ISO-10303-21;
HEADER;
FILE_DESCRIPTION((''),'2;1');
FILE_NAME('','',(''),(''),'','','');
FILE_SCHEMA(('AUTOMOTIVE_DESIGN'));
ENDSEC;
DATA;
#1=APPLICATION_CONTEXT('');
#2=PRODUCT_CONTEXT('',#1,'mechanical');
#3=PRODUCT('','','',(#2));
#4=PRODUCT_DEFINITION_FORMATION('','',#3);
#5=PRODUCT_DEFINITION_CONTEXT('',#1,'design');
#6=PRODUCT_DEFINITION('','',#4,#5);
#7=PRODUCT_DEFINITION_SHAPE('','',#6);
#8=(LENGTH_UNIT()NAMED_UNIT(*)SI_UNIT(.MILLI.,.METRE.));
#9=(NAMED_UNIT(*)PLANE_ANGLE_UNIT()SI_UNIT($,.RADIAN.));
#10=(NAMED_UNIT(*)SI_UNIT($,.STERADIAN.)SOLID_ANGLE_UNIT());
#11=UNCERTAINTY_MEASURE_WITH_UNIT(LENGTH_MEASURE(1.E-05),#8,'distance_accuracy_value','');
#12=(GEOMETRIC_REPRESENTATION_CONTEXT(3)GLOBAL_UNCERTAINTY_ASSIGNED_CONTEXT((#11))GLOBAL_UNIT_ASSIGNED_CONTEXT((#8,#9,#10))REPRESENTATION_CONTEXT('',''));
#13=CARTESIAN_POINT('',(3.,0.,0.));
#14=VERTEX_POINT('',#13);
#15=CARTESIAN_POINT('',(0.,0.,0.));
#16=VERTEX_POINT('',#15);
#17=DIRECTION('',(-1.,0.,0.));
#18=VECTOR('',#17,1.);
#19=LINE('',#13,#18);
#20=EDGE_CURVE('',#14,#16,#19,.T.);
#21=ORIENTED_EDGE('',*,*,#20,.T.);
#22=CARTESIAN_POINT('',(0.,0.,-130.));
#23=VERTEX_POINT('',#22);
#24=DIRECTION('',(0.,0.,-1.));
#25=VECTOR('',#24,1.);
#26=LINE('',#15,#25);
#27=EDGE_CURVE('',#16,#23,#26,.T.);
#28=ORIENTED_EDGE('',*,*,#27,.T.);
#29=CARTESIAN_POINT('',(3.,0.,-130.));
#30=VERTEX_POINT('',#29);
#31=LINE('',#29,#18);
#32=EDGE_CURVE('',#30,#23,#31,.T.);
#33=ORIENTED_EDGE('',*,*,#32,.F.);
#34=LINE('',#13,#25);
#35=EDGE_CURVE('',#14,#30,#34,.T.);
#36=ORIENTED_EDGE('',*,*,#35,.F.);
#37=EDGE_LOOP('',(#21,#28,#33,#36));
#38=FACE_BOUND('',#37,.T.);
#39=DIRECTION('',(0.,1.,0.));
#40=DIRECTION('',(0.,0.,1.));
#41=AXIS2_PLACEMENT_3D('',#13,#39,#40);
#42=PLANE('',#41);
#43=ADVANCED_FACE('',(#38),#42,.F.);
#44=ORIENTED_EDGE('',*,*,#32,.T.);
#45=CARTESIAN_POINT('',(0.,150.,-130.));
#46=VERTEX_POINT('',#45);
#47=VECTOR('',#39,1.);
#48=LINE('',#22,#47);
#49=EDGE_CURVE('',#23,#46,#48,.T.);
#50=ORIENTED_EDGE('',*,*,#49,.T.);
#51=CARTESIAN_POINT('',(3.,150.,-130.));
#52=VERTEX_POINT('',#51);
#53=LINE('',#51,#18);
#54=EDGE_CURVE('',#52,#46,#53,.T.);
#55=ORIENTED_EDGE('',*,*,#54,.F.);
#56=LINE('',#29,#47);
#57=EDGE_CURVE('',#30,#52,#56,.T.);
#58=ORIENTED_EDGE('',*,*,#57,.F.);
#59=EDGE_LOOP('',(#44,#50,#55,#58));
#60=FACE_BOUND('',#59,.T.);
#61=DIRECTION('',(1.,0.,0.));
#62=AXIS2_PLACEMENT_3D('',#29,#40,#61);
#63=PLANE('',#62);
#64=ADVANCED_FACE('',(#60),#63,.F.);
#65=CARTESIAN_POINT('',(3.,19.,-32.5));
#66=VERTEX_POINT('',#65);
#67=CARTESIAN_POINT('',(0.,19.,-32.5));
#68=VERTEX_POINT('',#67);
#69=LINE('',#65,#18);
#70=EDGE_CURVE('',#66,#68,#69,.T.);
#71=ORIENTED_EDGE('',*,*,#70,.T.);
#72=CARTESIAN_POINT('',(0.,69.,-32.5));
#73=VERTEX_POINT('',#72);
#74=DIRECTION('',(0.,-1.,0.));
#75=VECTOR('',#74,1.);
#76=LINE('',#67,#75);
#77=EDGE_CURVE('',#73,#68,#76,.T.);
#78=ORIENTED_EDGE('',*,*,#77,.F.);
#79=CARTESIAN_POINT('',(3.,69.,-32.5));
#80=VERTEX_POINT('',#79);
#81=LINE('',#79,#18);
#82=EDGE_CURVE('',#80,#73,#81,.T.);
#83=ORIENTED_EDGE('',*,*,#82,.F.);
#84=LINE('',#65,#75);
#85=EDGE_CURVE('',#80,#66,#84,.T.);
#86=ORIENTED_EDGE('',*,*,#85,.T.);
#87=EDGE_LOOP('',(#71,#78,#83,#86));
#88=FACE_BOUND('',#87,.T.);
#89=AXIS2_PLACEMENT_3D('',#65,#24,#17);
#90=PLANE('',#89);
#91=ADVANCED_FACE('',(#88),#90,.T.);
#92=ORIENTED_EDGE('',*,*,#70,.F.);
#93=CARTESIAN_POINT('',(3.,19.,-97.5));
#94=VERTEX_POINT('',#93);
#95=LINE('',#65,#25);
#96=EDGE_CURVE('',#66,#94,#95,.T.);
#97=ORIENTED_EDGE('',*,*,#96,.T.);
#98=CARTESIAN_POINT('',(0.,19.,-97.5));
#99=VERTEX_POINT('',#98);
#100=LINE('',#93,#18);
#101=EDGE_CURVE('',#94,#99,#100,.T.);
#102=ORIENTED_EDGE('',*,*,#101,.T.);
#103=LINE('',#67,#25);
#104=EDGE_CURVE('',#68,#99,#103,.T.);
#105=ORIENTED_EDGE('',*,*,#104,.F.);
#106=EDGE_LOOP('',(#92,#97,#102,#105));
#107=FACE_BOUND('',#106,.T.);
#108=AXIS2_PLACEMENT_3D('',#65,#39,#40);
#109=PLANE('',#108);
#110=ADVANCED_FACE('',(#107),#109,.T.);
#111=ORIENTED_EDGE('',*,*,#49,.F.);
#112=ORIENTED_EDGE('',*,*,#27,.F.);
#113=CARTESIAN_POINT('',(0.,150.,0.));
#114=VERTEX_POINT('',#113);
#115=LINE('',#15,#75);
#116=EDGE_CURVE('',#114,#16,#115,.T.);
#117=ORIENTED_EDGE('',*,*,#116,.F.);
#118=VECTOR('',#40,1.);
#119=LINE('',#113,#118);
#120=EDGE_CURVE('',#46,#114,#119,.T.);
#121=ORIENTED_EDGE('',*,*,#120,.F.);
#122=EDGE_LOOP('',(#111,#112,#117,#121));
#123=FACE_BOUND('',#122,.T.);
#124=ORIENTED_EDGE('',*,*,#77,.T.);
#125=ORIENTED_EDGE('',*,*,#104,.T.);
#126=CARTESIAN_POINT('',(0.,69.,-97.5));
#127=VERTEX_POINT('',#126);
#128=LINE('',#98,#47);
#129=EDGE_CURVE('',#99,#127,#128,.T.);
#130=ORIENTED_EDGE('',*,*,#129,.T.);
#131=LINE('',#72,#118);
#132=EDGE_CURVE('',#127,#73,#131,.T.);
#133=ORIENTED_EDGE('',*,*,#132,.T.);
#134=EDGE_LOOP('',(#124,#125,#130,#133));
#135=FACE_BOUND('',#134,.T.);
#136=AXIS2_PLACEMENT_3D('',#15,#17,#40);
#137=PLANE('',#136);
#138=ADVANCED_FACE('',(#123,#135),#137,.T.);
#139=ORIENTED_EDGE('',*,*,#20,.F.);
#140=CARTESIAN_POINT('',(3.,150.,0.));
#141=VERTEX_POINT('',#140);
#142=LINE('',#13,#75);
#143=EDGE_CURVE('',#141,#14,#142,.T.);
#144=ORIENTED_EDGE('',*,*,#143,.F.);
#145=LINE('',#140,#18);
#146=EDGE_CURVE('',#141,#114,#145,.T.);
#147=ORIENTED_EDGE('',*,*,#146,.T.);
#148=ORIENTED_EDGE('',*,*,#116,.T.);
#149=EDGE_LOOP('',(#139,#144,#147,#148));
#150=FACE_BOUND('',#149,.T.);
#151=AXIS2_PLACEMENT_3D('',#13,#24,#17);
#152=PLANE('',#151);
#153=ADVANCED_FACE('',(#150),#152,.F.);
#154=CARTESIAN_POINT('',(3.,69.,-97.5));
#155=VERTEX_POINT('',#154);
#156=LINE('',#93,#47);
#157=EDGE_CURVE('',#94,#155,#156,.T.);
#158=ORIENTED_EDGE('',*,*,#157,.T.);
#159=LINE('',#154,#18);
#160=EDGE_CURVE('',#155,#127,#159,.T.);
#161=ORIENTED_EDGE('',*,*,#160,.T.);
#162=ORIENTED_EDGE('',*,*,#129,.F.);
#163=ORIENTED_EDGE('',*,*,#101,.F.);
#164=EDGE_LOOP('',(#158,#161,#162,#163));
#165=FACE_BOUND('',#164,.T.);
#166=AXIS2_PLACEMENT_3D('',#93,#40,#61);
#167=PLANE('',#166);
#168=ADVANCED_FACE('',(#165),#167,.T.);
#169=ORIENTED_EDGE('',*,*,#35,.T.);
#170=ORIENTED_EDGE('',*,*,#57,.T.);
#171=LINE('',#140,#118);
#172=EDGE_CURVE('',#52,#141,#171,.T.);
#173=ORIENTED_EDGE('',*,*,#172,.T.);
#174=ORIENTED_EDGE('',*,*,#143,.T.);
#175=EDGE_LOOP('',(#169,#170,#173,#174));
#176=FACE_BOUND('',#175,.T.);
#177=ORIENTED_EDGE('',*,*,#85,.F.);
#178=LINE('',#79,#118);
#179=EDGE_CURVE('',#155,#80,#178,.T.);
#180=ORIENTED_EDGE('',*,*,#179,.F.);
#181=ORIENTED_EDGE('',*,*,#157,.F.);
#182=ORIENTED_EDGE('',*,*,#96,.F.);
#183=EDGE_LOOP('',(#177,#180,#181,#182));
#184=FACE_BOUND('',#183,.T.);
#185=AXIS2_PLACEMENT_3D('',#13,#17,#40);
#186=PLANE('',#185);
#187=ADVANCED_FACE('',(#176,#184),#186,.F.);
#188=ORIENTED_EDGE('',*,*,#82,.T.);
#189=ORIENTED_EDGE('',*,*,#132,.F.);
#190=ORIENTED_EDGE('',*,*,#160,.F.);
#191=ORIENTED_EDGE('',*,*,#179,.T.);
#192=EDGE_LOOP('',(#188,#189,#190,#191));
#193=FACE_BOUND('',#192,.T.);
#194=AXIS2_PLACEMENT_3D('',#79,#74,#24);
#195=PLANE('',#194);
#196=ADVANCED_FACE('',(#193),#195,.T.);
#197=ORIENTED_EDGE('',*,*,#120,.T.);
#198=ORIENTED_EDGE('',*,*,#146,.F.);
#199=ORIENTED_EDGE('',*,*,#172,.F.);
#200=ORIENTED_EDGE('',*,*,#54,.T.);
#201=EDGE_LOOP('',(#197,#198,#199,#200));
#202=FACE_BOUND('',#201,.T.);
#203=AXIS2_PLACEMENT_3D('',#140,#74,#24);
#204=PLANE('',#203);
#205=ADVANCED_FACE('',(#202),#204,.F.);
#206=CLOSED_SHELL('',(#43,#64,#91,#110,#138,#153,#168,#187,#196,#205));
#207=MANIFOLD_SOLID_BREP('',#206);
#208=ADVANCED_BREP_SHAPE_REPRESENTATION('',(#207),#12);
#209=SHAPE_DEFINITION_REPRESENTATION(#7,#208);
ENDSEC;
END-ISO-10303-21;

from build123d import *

# Parameters (mm, degrees)
SKETCH1_W           = 130
SKETCH1_H           = 150
SKETCH1_W_2         = 65
SKETCH1_H_2         = 50
BOSS_EXTRUDE1_DEPTH = 3


with BuildPart() as part:
    # Sketch1 → Boss-Extrude1 (new body)
    with BuildSketch(Plane(origin=(0, 0, 0), x_dir=(0, 0, -1), z_dir=(1, 0, 0))):
        with Locations((65, 75)):
            Rectangle(SKETCH1_W, SKETCH1_H)
        with Locations((65, 44)):
            Rectangle(SKETCH1_W_2, SKETCH1_H_2, mode=Mode.SUBTRACT)
    extrude(amount=BOSS_EXTRUDE1_DEPTH)


solid = part.part
